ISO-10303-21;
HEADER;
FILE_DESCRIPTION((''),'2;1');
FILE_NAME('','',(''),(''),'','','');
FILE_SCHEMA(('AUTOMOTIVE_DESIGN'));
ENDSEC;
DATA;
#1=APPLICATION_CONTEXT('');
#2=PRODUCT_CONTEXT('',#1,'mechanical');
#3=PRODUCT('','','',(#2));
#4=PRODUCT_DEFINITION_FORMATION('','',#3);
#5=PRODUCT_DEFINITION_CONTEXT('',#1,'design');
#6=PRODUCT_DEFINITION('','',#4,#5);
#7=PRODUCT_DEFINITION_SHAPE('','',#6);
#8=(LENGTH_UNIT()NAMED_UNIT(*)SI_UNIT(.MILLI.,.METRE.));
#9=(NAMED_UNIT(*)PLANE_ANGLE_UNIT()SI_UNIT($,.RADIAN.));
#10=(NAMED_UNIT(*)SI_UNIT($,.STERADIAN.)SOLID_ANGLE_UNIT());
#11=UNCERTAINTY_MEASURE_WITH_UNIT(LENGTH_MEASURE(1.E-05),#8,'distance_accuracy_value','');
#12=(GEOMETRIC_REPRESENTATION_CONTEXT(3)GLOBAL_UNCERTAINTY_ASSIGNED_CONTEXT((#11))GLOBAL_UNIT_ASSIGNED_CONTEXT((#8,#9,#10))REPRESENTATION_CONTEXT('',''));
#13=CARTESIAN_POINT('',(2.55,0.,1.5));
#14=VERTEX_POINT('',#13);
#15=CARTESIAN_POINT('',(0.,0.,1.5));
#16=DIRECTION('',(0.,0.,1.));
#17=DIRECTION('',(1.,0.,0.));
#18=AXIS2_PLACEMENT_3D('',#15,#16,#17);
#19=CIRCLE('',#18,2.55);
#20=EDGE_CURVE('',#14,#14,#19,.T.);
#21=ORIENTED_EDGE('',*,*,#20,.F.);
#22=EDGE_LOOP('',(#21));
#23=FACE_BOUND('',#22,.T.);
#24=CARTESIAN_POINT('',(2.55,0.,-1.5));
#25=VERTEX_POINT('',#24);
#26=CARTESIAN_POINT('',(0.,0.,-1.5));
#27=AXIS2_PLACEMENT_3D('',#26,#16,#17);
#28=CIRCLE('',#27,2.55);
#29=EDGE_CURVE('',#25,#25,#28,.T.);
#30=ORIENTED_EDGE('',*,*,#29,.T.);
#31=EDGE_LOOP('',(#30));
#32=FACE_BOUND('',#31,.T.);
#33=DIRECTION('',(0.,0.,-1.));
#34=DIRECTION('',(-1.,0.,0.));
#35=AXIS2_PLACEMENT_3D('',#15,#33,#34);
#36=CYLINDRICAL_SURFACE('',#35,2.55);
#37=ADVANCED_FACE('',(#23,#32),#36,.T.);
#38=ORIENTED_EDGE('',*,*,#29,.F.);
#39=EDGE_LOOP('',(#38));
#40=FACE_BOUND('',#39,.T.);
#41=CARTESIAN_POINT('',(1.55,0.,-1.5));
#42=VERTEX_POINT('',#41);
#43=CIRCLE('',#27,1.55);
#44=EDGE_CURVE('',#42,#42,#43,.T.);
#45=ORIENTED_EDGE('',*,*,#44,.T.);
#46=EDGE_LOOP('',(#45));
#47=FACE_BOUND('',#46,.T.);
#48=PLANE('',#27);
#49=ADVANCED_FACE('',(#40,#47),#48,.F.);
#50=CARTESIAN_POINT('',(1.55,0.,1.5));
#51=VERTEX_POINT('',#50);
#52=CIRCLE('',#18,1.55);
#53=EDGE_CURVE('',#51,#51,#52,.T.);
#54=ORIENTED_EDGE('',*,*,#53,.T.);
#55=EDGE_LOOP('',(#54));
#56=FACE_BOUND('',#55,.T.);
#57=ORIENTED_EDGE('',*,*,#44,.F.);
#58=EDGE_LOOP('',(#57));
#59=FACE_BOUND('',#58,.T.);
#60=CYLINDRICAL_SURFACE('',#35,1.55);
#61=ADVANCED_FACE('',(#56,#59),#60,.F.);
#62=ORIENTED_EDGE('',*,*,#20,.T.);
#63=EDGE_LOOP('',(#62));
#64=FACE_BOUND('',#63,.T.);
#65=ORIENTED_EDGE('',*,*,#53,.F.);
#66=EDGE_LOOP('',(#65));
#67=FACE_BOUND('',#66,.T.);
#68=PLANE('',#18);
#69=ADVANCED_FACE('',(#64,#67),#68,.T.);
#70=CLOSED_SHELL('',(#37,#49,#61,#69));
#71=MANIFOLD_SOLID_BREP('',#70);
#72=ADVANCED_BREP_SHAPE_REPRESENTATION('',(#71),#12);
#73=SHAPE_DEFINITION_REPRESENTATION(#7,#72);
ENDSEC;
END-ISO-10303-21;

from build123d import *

# Parameters (mm, degrees)
SKETCH_1_R      = 2.55
SKETCH_1_R_2    = 1.55
EXTRUDE_1_DEPTH = 1.5


with BuildPart() as part:
    # 草图1 → 凸台-拉伸1 (new, symmetric)
    with BuildSketch(Plane.XY):
        Circle(SKETCH_1_R)
        Circle(SKETCH_1_R_2, mode=Mode.SUBTRACT)
    extrude(amount=EXTRUDE_1_DEPTH, both=True)


solid = part.part
